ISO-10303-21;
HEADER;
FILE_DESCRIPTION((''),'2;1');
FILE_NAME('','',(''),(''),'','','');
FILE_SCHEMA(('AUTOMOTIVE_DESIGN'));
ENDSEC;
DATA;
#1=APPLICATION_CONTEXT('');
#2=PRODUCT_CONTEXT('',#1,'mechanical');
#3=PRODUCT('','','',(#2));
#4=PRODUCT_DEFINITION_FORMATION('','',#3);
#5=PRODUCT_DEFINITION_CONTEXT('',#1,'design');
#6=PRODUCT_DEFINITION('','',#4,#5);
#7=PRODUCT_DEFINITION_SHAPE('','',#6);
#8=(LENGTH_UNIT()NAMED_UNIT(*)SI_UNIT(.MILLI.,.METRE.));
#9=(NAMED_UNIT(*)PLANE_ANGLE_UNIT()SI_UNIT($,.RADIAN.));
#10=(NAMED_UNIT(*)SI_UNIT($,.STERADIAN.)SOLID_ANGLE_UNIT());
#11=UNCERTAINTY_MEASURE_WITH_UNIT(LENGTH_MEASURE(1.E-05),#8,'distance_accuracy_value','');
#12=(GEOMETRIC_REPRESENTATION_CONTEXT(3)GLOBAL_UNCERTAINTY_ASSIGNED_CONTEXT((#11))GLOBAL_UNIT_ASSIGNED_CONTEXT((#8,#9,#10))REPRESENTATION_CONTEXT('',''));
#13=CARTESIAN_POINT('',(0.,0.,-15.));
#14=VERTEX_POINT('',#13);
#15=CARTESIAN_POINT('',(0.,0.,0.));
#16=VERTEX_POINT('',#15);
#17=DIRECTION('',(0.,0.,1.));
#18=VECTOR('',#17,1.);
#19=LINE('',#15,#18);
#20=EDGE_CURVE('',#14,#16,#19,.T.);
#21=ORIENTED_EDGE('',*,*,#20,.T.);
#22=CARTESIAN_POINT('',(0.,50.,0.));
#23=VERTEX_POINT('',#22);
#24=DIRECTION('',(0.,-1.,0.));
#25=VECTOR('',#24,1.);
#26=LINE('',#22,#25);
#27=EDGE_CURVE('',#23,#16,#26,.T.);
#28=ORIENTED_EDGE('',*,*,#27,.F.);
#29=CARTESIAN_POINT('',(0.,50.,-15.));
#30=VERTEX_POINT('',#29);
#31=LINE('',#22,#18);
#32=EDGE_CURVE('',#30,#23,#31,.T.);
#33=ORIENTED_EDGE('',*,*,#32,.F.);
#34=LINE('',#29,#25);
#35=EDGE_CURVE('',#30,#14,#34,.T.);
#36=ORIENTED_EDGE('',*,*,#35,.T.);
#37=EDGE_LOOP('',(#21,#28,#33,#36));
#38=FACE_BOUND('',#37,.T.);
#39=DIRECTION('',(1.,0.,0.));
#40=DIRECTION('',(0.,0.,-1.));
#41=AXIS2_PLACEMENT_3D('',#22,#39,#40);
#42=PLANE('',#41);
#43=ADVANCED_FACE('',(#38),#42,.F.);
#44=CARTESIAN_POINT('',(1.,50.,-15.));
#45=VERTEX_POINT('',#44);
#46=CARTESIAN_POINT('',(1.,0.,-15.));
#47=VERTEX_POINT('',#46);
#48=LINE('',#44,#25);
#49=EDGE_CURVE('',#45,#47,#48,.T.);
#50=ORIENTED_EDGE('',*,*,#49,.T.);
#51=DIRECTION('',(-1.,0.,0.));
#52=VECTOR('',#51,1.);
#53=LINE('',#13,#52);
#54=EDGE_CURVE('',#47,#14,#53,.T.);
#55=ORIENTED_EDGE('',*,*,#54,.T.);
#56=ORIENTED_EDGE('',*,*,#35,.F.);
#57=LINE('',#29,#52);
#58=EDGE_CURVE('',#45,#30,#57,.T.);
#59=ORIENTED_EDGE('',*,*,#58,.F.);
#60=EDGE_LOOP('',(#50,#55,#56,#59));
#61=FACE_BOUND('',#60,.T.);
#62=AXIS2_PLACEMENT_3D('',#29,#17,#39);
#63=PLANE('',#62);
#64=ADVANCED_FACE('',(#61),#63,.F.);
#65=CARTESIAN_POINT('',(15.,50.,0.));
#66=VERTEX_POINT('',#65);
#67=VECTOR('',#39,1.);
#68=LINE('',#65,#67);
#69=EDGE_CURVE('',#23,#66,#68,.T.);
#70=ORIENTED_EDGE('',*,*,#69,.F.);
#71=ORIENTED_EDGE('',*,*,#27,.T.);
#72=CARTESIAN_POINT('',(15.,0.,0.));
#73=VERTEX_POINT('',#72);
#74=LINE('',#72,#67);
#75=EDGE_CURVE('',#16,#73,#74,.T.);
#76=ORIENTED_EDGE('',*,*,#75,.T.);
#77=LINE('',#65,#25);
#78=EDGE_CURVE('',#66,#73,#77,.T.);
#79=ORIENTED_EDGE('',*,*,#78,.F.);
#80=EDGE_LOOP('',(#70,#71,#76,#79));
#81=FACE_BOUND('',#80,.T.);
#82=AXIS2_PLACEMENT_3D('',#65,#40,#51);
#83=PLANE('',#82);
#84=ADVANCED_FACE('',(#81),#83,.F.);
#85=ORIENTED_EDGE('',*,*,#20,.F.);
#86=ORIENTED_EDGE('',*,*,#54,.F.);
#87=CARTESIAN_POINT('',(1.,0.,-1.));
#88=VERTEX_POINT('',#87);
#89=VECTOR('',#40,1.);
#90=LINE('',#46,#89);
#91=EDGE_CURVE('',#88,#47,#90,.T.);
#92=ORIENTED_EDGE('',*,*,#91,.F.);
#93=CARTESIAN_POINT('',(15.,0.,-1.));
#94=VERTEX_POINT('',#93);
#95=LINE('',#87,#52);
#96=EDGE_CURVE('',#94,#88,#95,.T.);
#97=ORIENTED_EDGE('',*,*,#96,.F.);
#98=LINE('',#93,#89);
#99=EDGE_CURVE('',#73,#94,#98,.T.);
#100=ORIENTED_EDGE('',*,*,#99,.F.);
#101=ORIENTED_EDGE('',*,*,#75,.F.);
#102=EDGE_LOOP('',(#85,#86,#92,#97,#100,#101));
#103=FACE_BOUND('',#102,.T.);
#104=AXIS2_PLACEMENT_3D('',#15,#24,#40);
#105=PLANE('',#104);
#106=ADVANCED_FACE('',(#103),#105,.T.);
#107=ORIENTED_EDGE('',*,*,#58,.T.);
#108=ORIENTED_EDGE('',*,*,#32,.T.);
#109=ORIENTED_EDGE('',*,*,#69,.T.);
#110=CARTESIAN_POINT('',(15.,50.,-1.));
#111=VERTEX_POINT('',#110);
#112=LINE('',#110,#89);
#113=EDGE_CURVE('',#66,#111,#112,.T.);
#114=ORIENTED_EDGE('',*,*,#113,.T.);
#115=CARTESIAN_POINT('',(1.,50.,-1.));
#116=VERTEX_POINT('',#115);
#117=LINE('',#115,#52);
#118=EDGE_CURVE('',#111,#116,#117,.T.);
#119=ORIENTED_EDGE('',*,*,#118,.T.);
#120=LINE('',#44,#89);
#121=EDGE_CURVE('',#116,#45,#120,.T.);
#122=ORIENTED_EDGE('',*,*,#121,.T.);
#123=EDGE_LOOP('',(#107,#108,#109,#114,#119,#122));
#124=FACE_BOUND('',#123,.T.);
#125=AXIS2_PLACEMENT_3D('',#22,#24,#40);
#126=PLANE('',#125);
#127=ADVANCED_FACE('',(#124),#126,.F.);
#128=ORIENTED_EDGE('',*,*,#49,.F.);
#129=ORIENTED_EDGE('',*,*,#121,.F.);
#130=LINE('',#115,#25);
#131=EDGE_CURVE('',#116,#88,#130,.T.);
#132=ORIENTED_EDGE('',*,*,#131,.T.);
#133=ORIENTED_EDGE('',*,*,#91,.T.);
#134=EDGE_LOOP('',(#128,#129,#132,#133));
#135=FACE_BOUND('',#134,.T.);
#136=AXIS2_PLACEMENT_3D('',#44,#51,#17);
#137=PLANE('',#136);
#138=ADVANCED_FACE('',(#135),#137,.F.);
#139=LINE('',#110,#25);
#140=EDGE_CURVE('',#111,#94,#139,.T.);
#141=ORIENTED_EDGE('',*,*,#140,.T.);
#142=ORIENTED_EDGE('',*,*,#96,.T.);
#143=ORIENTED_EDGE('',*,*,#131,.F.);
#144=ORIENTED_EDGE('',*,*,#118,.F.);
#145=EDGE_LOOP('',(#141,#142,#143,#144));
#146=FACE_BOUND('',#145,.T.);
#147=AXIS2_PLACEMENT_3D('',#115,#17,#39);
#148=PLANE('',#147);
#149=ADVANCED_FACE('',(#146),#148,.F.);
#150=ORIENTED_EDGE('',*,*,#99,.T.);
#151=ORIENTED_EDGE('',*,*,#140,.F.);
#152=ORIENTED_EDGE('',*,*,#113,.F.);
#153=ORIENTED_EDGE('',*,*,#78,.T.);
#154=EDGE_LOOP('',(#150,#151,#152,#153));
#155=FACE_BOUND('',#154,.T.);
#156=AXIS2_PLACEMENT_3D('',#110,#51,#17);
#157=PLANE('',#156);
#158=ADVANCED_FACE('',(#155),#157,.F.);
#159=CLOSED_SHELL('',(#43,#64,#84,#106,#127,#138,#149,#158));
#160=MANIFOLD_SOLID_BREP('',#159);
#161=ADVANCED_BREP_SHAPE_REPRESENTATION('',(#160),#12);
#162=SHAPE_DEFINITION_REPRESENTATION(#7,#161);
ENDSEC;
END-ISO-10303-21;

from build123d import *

# Parameters (mm, degrees)
EXTRUDE_1_DEPTH = 50


with BuildPart() as part:
    # Эскиз1 → Бобышка-Вытянуть1 (new body)
    with BuildSketch(Plane(origin=(0, 0, 0), x_dir=(1, 0, 0), z_dir=(0, 1, 0))):
        Polygon((0, 0), (0, 15), (1, 15), (1, 1), (15, 1), (15, 0), align=None)
    extrude(amount=EXTRUDE_1_DEPTH)


solid = part.part
